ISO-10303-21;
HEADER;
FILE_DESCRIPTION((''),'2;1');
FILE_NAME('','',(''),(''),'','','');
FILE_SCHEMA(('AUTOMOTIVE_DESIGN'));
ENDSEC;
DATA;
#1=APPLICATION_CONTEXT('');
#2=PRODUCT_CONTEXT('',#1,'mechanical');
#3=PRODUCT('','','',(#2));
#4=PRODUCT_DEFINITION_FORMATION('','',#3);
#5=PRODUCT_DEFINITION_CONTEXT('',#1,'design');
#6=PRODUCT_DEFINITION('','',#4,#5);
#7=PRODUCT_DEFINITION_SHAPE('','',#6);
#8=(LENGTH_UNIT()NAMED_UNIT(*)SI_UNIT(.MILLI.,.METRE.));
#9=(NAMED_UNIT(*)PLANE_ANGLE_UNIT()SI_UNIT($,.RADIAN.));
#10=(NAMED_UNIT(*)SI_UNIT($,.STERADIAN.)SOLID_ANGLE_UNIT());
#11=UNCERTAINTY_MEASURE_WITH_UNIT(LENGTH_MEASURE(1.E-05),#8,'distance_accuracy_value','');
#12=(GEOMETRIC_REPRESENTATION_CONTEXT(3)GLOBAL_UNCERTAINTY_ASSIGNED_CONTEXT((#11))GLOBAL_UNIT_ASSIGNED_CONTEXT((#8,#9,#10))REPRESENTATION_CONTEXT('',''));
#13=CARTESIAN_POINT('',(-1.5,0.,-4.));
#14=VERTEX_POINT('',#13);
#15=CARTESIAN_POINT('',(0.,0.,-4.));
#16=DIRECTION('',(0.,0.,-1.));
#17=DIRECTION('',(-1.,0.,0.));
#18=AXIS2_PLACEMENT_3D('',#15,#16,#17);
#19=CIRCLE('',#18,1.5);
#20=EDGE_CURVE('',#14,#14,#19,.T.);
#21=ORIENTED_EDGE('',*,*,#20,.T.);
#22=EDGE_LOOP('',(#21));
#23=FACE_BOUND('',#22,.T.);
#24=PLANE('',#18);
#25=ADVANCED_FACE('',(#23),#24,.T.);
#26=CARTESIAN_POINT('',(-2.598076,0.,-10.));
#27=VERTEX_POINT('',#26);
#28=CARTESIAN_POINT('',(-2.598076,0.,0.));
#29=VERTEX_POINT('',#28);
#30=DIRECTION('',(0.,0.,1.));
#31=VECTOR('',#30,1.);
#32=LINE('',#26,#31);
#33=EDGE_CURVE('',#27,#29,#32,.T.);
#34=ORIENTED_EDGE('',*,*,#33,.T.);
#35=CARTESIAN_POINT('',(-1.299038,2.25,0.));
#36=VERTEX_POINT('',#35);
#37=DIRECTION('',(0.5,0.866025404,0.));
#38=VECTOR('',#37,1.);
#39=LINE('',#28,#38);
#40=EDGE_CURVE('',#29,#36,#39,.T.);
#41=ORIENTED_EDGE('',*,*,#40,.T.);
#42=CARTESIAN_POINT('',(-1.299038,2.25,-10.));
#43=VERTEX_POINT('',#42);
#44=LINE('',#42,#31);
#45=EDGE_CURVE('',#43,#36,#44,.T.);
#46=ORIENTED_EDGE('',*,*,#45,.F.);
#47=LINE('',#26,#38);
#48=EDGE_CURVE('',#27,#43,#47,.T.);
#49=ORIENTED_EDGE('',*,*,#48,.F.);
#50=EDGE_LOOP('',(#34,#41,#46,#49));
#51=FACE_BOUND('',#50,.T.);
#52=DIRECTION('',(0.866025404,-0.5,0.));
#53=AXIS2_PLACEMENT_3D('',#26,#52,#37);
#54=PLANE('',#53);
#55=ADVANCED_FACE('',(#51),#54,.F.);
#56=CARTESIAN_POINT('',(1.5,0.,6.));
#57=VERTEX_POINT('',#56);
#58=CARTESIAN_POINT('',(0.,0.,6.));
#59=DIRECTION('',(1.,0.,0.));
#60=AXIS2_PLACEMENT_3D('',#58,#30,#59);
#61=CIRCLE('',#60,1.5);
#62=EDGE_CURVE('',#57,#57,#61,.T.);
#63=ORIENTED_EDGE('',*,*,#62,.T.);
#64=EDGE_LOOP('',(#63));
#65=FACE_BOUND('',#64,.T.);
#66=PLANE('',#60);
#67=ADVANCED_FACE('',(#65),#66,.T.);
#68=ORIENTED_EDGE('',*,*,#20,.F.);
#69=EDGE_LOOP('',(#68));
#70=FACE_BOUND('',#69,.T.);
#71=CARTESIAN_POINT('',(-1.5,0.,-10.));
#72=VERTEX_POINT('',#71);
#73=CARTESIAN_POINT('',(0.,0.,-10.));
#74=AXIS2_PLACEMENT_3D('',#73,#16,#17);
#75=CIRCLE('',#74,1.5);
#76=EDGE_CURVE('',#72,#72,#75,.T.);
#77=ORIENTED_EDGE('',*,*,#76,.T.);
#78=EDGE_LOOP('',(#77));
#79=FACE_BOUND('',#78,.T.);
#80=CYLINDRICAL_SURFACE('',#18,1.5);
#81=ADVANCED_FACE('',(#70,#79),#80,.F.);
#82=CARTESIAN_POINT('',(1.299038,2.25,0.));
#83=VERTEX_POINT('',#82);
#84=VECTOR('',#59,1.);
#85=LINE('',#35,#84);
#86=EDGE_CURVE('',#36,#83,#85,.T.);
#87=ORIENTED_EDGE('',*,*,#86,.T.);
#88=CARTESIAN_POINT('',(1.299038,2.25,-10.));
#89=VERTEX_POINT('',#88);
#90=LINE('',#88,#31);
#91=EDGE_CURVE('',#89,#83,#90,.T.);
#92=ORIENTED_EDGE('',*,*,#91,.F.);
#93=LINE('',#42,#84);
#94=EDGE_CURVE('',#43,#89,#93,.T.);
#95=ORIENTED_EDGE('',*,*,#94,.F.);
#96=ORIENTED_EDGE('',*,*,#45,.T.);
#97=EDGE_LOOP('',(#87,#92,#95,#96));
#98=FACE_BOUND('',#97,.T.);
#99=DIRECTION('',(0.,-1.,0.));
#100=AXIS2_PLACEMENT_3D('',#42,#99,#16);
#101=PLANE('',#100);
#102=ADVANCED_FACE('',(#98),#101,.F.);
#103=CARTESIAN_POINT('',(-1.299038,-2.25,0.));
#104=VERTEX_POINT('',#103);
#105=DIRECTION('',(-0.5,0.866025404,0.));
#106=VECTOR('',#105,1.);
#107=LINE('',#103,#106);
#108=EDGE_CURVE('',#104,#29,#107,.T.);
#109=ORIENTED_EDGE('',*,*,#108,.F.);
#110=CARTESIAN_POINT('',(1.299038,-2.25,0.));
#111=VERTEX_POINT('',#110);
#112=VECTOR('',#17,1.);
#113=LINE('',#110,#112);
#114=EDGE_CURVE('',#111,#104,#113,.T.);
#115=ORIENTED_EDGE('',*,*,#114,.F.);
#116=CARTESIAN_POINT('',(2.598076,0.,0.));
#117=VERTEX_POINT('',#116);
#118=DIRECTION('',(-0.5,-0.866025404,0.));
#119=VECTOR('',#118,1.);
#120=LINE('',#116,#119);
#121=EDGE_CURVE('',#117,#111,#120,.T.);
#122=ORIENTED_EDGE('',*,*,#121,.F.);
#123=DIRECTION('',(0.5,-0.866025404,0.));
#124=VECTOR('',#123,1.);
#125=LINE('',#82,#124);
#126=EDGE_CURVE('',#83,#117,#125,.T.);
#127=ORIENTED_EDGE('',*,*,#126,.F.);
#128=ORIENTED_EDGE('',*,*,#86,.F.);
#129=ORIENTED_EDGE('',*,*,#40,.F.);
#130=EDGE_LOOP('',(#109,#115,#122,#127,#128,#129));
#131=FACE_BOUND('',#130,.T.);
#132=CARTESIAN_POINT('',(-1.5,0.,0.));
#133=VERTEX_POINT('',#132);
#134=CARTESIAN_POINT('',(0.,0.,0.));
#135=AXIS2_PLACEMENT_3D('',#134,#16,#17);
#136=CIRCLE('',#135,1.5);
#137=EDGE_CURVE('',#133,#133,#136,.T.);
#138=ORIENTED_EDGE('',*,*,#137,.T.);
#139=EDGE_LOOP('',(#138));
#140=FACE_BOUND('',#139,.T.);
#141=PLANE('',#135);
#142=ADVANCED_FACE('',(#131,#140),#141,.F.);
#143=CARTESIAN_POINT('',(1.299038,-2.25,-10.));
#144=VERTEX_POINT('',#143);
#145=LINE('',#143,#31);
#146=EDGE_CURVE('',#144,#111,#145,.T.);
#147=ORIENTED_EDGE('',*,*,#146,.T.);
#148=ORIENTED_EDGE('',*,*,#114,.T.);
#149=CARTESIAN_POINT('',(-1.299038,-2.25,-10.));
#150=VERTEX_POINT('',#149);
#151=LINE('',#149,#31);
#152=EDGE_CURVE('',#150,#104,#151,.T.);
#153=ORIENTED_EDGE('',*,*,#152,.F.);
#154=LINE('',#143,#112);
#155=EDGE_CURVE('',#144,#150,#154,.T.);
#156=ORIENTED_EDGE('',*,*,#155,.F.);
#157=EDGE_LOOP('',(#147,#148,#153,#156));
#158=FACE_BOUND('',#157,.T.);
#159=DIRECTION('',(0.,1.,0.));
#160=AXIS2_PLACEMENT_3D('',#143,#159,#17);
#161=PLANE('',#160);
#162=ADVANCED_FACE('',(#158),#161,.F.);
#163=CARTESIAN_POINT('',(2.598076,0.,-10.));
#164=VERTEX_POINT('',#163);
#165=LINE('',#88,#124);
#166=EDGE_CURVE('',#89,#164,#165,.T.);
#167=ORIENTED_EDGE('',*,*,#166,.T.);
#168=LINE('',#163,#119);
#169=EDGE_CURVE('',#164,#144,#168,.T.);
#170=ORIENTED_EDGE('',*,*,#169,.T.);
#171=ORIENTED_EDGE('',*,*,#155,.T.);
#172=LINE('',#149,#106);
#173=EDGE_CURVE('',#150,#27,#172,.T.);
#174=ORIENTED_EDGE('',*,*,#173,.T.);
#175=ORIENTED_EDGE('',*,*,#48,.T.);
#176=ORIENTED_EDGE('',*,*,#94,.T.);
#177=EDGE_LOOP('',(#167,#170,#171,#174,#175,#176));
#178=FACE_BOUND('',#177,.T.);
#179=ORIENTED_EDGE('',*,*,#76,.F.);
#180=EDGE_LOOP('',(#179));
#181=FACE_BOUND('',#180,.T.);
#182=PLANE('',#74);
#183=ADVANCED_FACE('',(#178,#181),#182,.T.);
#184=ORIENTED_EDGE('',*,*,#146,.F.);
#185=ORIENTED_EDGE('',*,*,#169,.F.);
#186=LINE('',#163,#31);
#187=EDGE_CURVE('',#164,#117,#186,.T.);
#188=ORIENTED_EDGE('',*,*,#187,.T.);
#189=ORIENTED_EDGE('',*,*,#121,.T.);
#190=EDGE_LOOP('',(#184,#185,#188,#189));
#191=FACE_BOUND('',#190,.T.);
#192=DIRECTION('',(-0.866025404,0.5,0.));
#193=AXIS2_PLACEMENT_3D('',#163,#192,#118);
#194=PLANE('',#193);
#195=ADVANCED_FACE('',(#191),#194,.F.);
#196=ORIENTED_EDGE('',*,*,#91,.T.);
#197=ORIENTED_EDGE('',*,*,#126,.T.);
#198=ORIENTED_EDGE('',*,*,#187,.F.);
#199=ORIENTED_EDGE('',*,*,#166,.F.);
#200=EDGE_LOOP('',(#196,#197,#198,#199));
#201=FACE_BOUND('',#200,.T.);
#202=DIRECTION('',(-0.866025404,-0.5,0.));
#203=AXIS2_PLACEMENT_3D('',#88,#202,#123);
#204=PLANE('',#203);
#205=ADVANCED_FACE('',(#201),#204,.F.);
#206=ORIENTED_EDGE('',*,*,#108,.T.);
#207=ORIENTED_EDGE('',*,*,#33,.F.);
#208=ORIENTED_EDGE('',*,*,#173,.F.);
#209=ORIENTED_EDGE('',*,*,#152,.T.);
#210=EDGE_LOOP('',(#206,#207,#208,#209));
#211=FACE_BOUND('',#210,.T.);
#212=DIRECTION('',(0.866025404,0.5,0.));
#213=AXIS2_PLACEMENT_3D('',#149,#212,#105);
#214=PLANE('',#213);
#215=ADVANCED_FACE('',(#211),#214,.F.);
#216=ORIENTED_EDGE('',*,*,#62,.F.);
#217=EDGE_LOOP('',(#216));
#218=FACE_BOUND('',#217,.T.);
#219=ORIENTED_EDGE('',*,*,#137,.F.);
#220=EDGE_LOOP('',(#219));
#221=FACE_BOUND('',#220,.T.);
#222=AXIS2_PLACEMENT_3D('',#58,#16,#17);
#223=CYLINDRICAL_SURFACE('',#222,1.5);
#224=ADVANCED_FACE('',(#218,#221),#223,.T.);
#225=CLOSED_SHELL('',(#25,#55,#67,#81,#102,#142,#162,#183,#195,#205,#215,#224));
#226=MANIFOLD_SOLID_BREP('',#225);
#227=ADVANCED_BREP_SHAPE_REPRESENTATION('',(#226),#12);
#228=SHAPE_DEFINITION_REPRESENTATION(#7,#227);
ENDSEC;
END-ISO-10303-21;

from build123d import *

# Parameters (mm, degrees)
SKETCH1_R           = 1.5
BOSS_EXTRUDE1_DEPTH = 6
BOSS_EXTRUDE2_DEPTH = 10
SKETCH3_R           = 1.5
CUT_EXTRUDE1_DEPTH  = 6


with BuildPart() as part:
    # Sketch1 → Boss-Extrude1 (new body)
    with BuildSketch(Plane.XY):
        Circle(SKETCH1_R)
    extrude(amount=BOSS_EXTRUDE1_DEPTH)

    # Sketch2 → Boss-Extrude2 (add)
    with BuildSketch(Plane(origin=(0, 0, 0), x_dir=(-1, 0, 0), z_dir=(0, 0, -1))):
        Polygon((1.299038106, 2.25), (-1.299038106, 2.25), (-2.598076211, 0), (-1.299038106, -2.25), (1.299038106, -2.25), (2.598076211, 0), align=None)
    extrude(amount=BOSS_EXTRUDE2_DEPTH)

    # Sketch3 → Cut-Extrude1 (cut)
    with BuildSketch(Plane(origin=(0, 0, -10), x_dir=(-1, 0, 0), z_dir=(0, 0, -1))):
        Circle(SKETCH3_R)
    extrude(amount=-CUT_EXTRUDE1_DEPTH, mode=Mode.SUBTRACT)


solid = part.part
